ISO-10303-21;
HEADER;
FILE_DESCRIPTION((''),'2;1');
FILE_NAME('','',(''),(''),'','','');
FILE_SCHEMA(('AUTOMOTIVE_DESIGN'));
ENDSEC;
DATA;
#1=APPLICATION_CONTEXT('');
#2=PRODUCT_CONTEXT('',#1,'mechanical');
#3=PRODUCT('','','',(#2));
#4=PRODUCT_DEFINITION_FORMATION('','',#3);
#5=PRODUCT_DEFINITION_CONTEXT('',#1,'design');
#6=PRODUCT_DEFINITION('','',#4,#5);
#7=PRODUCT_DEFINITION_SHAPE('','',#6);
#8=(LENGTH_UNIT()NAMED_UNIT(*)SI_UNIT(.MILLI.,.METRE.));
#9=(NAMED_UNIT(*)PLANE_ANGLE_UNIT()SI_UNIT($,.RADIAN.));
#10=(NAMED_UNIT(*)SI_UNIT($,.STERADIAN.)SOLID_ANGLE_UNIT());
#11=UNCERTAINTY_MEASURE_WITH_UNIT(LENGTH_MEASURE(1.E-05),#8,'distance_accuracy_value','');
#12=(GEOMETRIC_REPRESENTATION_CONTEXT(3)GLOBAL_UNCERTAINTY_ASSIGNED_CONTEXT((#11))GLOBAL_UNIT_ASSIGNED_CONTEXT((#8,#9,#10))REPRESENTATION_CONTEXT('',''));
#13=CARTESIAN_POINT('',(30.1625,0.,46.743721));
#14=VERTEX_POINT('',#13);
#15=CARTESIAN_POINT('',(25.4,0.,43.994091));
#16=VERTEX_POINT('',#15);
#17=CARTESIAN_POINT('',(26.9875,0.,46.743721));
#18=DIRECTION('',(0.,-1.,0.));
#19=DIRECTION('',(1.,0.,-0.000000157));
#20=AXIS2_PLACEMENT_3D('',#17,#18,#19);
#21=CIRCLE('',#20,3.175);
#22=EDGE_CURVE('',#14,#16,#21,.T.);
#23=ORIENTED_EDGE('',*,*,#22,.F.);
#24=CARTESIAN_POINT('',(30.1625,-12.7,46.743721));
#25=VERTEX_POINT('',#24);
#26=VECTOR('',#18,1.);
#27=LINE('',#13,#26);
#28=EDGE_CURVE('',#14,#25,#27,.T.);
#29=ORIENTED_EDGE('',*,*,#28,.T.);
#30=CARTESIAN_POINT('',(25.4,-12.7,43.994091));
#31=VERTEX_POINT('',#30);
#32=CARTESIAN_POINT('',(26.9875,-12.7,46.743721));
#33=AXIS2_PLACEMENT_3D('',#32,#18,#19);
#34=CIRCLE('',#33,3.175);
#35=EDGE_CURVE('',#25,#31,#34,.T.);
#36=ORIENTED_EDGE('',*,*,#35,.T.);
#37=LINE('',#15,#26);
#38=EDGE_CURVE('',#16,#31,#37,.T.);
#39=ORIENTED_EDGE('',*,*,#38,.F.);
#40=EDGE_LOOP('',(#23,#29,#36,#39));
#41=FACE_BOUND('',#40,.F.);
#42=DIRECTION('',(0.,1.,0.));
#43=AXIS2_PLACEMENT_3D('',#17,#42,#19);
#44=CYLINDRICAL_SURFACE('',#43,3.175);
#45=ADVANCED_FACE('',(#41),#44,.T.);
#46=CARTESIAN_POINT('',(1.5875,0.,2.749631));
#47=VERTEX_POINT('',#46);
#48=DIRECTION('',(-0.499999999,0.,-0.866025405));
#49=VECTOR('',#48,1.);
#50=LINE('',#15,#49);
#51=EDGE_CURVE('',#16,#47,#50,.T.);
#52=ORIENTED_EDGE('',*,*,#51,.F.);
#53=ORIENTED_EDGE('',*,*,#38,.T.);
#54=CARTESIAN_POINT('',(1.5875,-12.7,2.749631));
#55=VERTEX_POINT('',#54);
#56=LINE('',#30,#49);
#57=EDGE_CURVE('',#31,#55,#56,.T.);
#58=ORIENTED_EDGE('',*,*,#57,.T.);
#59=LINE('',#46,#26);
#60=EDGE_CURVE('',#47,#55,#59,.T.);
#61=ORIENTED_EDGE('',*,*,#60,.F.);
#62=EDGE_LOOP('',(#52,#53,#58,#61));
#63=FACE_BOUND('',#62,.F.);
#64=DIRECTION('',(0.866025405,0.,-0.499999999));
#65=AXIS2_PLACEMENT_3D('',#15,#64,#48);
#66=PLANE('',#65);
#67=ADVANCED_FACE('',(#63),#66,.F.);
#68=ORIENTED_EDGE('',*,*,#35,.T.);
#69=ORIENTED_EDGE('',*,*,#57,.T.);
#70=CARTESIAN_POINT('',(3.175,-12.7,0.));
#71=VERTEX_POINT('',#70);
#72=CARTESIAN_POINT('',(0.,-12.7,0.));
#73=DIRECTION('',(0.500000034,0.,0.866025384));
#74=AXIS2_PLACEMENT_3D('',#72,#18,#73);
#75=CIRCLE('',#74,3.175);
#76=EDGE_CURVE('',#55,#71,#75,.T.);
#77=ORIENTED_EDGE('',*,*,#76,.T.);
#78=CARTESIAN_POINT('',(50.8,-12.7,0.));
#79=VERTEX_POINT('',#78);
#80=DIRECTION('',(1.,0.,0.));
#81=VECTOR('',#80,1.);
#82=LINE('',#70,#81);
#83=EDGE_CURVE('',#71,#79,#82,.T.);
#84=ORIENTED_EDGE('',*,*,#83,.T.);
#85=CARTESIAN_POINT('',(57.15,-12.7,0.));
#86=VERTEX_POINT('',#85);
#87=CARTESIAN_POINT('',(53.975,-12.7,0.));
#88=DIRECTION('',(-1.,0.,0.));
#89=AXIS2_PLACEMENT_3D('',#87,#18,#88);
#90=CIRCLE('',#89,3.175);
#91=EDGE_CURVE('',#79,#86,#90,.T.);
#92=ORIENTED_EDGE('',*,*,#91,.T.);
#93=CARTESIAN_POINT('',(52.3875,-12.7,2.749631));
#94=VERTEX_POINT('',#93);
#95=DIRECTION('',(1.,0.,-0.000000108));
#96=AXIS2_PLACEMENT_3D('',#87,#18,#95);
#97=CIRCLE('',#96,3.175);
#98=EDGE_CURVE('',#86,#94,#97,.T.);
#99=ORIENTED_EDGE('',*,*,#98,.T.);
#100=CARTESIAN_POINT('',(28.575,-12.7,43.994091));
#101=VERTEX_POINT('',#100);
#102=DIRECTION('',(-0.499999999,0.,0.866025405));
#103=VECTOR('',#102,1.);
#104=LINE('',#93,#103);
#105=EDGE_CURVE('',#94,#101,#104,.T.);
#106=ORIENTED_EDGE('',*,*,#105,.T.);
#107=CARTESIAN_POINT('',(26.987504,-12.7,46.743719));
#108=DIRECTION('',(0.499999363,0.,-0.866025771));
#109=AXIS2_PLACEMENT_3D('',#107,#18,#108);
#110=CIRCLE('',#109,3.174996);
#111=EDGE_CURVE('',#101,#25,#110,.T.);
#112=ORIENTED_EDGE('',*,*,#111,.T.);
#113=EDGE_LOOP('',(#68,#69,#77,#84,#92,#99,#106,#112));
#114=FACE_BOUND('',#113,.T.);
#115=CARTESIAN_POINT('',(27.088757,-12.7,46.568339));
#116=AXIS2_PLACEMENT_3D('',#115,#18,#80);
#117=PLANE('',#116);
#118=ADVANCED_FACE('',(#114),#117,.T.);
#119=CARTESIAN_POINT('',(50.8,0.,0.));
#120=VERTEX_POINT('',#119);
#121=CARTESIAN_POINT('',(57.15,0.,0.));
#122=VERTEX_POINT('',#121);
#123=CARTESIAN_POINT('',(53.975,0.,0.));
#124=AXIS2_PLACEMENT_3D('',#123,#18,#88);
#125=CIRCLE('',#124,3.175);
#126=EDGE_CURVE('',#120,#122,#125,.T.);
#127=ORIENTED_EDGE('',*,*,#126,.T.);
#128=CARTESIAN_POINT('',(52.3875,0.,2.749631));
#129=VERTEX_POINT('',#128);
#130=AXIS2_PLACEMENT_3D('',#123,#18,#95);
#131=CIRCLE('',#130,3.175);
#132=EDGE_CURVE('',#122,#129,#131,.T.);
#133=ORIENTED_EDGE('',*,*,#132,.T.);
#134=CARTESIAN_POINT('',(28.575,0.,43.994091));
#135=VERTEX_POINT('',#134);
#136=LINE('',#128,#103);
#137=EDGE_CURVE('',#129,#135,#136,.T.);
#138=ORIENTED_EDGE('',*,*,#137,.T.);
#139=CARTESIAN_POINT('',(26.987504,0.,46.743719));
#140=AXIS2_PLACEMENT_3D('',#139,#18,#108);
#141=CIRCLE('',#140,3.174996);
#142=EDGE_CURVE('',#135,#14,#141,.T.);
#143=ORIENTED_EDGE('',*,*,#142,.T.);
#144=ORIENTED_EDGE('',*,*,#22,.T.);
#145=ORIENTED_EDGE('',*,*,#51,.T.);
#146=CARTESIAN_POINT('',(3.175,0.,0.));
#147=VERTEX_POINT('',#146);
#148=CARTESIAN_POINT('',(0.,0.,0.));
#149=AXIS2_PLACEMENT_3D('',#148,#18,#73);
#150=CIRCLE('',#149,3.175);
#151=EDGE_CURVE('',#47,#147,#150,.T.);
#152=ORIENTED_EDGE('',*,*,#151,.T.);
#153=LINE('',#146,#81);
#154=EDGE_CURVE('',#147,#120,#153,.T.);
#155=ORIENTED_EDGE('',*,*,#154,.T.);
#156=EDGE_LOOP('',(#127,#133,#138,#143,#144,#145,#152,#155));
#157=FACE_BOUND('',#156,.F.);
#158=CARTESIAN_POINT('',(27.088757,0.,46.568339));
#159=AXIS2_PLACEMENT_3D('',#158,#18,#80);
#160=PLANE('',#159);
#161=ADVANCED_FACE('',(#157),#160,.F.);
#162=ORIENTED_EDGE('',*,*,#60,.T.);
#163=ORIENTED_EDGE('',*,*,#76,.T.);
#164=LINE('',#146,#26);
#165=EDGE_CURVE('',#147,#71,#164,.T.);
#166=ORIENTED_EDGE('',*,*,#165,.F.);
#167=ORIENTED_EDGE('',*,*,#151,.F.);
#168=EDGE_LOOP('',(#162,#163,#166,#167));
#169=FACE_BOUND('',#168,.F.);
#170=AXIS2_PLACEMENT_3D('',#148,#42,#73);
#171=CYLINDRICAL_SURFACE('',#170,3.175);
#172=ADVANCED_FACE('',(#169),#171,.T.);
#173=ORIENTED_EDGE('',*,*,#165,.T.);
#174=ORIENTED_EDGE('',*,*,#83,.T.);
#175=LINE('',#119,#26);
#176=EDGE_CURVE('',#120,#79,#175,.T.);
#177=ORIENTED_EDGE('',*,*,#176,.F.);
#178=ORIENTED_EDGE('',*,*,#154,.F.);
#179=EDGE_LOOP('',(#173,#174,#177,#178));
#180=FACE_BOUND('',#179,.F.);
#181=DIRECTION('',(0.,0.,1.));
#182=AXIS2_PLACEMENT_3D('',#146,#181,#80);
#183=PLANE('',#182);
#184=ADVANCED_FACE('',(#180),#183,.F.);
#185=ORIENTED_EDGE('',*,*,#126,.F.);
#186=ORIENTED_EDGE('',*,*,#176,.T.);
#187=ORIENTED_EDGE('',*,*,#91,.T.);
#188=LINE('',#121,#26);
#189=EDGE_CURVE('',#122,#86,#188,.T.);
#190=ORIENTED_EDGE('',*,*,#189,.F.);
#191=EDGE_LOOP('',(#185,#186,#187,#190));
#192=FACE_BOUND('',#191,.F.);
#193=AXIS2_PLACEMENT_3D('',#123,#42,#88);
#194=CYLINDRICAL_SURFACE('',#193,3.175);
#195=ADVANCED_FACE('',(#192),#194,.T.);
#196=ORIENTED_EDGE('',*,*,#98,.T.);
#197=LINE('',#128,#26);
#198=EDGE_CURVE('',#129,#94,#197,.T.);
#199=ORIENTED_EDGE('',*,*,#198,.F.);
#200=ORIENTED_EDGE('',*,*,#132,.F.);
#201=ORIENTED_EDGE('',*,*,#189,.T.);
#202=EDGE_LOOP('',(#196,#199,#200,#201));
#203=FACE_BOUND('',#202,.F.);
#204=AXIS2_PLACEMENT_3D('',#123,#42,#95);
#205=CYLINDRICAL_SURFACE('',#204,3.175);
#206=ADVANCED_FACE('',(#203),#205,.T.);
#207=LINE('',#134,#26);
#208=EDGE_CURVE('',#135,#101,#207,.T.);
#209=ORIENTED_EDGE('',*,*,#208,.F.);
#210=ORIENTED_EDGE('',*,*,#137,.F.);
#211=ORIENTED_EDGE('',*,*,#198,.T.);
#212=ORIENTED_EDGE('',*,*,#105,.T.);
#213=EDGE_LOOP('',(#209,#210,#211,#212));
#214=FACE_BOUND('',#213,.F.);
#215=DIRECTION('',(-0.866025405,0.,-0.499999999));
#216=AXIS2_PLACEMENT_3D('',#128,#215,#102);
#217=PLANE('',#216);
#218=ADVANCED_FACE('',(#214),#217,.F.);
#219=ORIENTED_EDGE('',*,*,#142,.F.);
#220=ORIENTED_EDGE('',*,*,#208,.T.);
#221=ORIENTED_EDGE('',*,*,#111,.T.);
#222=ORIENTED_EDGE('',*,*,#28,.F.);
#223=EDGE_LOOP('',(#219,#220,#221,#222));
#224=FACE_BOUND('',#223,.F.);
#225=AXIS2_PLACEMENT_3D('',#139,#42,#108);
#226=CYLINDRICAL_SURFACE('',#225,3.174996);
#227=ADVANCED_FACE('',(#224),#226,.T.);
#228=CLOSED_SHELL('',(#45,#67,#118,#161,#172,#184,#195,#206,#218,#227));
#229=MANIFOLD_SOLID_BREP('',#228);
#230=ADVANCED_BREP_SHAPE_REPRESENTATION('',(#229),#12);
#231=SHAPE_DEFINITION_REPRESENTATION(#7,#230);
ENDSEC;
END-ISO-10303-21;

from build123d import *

# Parameters (mm, degrees)
F1_DEPTH = 12.7


with BuildPart() as f1:
    # F0 (on Front) → F1 (new body)
    with BuildSketch(Plane.XZ):
        with BuildLine():
            ThreePointArc((28.575, 43.994091), (29.737131, 45.156221), (30.1625, 46.743721))
            ThreePointArc((30.1625, 46.743721), (25.4, 49.493352), (25.4, 43.994091))
            ThreePointArc((25.4, 43.994091), (26.9875, 43.568721), (28.575, 43.994091))
        make_face()
        with BuildLine():
            ThreePointArc((28.575, 43.994091), (26.9875, 43.568721), (25.4, 43.994091))
            Line((25.4, 43.994091), (1.5875, 2.749631))
            ThreePointArc((1.5875, 2.749631), (2.749631, 1.5875), (3.175, 0))
            Line((3.175, 0), (50.8, 0))
            ThreePointArc((50.8, 0), (51.225369, 1.5875), (52.3875, 2.749631))
            Line((52.3875, 2.749631), (28.575, 43.994091))
        make_face()
        with BuildLine():
            ThreePointArc((3.175, 0), (2.749631, 1.5875), (1.5875, 2.749631))
            ThreePointArc((1.5875, 2.749631), (-2.749631, -1.5875), (3.175, 0))
        make_face()
        with BuildLine():
            ThreePointArc((57.15, 0), (55.5625, 2.749631), (52.3875, 2.749631))
            ThreePointArc((52.3875, 2.749631), (51.225369, 1.5875), (50.8, 0))
            ThreePointArc((50.8, 0), (53.975, -3.175), (57.15, 0))
        make_face()
    extrude(amount=F1_DEPTH)


solid = f1.part
